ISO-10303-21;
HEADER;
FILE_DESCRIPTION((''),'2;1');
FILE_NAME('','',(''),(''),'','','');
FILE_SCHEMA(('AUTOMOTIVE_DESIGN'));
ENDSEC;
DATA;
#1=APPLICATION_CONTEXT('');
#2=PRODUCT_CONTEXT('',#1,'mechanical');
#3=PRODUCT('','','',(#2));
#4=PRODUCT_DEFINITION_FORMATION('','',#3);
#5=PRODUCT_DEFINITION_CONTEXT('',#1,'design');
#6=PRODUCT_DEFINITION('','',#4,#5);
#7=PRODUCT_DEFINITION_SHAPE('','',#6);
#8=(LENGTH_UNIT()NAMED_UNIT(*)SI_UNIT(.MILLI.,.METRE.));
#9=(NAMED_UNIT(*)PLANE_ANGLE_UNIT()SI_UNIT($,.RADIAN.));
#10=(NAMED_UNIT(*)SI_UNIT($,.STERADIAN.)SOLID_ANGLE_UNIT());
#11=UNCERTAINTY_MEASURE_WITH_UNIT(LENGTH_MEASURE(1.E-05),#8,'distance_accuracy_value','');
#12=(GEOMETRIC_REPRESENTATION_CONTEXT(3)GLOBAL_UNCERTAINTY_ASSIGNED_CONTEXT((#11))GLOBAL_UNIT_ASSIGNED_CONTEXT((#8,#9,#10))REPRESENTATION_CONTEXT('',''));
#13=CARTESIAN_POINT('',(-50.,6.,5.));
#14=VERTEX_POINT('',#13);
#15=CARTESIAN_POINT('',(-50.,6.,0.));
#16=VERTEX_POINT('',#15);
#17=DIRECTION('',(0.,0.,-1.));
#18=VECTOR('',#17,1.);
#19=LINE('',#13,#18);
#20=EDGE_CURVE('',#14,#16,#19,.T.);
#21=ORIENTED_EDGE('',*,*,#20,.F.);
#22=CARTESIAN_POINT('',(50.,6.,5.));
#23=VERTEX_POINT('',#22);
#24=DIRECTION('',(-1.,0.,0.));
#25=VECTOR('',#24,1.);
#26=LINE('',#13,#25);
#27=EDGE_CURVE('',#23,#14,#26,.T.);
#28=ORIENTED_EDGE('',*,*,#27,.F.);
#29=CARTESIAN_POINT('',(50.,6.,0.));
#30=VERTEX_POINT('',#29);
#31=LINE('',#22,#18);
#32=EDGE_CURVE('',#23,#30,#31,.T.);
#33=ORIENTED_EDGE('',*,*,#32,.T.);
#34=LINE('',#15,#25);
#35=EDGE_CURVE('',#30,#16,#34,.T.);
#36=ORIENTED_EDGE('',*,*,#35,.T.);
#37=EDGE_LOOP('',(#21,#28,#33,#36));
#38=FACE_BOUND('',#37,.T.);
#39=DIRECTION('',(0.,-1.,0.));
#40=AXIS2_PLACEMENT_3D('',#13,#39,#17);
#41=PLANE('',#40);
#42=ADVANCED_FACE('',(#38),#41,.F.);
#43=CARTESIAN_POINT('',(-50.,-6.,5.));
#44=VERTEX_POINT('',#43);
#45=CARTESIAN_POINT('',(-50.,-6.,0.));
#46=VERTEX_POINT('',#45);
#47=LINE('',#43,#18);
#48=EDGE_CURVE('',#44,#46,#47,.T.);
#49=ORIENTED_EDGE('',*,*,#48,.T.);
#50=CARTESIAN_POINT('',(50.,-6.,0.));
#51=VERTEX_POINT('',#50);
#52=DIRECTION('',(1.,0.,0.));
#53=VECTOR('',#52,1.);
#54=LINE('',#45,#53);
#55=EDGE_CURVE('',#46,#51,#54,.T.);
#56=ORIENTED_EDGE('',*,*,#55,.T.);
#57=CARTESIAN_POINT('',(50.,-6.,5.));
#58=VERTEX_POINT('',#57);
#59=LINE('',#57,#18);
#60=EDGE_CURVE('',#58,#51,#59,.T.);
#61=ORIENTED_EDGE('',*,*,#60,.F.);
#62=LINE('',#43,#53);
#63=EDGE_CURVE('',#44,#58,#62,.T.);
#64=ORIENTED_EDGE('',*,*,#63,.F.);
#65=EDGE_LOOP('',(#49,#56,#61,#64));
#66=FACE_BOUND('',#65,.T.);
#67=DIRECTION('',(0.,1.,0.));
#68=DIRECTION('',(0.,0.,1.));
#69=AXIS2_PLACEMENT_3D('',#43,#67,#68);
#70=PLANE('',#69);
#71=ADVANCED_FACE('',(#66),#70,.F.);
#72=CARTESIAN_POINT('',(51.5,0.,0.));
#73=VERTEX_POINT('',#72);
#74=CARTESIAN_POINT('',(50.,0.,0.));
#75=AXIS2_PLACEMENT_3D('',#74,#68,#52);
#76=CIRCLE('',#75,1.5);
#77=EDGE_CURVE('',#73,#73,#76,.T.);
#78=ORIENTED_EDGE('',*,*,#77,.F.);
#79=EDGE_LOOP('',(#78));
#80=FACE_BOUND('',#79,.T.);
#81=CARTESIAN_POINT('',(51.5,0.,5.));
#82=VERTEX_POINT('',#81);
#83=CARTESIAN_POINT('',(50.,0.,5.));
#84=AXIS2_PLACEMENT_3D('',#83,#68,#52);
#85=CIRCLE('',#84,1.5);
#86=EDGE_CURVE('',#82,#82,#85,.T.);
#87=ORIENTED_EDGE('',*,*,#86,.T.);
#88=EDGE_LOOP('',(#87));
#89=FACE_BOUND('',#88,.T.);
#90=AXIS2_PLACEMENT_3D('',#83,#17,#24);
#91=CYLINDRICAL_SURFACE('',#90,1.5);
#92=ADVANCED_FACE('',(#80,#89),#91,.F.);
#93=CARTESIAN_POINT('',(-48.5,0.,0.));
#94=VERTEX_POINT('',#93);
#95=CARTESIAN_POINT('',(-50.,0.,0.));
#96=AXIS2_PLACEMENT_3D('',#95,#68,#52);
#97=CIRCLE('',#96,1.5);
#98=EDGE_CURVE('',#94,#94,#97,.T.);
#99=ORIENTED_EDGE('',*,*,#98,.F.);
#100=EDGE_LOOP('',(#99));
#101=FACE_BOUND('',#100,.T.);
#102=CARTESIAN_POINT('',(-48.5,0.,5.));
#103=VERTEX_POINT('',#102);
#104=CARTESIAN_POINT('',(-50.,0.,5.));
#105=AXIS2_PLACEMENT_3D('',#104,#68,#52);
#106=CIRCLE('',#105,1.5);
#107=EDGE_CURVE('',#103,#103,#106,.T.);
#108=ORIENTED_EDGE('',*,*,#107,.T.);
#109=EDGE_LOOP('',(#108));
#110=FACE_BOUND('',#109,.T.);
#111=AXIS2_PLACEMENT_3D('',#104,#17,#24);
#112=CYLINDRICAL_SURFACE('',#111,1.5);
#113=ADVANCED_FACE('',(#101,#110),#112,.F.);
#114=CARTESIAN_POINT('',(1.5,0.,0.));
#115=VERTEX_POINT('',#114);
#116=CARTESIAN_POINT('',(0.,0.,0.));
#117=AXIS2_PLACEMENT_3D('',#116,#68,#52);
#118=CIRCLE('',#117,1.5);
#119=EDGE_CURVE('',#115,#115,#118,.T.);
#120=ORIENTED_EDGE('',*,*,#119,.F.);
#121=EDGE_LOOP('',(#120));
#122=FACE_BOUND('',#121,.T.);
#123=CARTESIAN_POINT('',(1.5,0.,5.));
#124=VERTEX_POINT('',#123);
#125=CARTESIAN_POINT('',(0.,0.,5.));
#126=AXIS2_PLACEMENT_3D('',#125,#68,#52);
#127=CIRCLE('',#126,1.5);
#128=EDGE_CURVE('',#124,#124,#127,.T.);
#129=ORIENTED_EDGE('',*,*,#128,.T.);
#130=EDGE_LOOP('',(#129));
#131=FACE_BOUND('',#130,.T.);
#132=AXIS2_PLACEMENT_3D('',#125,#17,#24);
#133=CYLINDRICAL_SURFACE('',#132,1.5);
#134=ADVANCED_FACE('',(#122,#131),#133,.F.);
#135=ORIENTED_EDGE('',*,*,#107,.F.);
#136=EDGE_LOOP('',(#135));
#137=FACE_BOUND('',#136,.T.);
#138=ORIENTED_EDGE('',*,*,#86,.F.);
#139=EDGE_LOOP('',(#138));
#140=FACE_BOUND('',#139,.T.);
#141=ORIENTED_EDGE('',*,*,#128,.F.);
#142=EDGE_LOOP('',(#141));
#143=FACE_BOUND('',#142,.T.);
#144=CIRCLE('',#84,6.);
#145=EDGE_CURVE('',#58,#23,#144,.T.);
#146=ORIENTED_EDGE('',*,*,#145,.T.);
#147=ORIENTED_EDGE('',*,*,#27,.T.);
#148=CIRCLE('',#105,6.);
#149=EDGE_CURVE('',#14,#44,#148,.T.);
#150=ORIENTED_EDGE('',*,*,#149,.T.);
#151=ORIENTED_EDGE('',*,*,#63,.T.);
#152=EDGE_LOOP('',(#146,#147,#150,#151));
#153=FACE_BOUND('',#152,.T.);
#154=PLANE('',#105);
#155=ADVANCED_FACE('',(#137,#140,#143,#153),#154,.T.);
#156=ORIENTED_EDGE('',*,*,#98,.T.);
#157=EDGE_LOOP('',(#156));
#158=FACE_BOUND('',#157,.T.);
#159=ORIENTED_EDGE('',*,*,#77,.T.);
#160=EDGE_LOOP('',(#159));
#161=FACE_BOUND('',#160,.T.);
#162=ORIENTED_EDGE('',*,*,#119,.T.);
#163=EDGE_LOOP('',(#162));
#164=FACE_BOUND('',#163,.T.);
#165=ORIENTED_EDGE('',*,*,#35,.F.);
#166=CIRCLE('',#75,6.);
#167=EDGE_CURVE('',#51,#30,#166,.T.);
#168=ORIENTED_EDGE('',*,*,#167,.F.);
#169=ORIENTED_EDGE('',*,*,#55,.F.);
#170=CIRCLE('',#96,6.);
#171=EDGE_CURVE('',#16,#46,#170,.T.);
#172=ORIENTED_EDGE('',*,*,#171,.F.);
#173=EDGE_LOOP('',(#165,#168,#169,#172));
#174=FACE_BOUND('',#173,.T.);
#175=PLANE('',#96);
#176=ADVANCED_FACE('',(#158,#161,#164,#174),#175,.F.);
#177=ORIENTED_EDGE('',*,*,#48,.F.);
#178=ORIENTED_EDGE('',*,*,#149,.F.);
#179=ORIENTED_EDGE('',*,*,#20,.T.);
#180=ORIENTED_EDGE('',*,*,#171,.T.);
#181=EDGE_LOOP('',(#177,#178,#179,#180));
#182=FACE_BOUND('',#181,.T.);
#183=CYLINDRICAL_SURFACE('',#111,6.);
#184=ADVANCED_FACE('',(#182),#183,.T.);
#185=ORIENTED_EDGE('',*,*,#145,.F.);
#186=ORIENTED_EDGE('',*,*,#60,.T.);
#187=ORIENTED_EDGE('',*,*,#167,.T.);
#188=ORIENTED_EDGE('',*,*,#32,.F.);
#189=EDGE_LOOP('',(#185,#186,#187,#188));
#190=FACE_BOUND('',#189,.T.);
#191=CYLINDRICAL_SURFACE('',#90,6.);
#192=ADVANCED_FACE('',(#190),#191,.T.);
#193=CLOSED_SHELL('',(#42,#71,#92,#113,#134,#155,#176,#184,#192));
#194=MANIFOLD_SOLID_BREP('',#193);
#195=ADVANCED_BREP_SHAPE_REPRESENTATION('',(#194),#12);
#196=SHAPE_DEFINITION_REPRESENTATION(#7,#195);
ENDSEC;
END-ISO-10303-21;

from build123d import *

# Parameters (mm, degrees)
ESQUISSE1_R        = 1.5
BOSS_EXTRU_1_DEPTH = 5


with BuildPart() as part:
    # Esquisse1 → Boss.-Extru.1 (new body)
    with BuildSketch(Plane.XY):
        with BuildLine():
            Line((-50, 6), (50, 6))
            ThreePointArc((50, 6), (56, 0), (50, -6))
            Line((50, -6), (-50, -6))
            ThreePointArc((-50, -6), (-56, 0), (-50, 6))
        make_face()
        with Locations((-50, 0)):
            Circle(ESQUISSE1_R, mode=Mode.SUBTRACT)
        with Locations((50, 0)):
            Circle(ESQUISSE1_R, mode=Mode.SUBTRACT)
        Circle(ESQUISSE1_R, mode=Mode.SUBTRACT)
    extrude(amount=BOSS_EXTRU_1_DEPTH)


solid = part.part
